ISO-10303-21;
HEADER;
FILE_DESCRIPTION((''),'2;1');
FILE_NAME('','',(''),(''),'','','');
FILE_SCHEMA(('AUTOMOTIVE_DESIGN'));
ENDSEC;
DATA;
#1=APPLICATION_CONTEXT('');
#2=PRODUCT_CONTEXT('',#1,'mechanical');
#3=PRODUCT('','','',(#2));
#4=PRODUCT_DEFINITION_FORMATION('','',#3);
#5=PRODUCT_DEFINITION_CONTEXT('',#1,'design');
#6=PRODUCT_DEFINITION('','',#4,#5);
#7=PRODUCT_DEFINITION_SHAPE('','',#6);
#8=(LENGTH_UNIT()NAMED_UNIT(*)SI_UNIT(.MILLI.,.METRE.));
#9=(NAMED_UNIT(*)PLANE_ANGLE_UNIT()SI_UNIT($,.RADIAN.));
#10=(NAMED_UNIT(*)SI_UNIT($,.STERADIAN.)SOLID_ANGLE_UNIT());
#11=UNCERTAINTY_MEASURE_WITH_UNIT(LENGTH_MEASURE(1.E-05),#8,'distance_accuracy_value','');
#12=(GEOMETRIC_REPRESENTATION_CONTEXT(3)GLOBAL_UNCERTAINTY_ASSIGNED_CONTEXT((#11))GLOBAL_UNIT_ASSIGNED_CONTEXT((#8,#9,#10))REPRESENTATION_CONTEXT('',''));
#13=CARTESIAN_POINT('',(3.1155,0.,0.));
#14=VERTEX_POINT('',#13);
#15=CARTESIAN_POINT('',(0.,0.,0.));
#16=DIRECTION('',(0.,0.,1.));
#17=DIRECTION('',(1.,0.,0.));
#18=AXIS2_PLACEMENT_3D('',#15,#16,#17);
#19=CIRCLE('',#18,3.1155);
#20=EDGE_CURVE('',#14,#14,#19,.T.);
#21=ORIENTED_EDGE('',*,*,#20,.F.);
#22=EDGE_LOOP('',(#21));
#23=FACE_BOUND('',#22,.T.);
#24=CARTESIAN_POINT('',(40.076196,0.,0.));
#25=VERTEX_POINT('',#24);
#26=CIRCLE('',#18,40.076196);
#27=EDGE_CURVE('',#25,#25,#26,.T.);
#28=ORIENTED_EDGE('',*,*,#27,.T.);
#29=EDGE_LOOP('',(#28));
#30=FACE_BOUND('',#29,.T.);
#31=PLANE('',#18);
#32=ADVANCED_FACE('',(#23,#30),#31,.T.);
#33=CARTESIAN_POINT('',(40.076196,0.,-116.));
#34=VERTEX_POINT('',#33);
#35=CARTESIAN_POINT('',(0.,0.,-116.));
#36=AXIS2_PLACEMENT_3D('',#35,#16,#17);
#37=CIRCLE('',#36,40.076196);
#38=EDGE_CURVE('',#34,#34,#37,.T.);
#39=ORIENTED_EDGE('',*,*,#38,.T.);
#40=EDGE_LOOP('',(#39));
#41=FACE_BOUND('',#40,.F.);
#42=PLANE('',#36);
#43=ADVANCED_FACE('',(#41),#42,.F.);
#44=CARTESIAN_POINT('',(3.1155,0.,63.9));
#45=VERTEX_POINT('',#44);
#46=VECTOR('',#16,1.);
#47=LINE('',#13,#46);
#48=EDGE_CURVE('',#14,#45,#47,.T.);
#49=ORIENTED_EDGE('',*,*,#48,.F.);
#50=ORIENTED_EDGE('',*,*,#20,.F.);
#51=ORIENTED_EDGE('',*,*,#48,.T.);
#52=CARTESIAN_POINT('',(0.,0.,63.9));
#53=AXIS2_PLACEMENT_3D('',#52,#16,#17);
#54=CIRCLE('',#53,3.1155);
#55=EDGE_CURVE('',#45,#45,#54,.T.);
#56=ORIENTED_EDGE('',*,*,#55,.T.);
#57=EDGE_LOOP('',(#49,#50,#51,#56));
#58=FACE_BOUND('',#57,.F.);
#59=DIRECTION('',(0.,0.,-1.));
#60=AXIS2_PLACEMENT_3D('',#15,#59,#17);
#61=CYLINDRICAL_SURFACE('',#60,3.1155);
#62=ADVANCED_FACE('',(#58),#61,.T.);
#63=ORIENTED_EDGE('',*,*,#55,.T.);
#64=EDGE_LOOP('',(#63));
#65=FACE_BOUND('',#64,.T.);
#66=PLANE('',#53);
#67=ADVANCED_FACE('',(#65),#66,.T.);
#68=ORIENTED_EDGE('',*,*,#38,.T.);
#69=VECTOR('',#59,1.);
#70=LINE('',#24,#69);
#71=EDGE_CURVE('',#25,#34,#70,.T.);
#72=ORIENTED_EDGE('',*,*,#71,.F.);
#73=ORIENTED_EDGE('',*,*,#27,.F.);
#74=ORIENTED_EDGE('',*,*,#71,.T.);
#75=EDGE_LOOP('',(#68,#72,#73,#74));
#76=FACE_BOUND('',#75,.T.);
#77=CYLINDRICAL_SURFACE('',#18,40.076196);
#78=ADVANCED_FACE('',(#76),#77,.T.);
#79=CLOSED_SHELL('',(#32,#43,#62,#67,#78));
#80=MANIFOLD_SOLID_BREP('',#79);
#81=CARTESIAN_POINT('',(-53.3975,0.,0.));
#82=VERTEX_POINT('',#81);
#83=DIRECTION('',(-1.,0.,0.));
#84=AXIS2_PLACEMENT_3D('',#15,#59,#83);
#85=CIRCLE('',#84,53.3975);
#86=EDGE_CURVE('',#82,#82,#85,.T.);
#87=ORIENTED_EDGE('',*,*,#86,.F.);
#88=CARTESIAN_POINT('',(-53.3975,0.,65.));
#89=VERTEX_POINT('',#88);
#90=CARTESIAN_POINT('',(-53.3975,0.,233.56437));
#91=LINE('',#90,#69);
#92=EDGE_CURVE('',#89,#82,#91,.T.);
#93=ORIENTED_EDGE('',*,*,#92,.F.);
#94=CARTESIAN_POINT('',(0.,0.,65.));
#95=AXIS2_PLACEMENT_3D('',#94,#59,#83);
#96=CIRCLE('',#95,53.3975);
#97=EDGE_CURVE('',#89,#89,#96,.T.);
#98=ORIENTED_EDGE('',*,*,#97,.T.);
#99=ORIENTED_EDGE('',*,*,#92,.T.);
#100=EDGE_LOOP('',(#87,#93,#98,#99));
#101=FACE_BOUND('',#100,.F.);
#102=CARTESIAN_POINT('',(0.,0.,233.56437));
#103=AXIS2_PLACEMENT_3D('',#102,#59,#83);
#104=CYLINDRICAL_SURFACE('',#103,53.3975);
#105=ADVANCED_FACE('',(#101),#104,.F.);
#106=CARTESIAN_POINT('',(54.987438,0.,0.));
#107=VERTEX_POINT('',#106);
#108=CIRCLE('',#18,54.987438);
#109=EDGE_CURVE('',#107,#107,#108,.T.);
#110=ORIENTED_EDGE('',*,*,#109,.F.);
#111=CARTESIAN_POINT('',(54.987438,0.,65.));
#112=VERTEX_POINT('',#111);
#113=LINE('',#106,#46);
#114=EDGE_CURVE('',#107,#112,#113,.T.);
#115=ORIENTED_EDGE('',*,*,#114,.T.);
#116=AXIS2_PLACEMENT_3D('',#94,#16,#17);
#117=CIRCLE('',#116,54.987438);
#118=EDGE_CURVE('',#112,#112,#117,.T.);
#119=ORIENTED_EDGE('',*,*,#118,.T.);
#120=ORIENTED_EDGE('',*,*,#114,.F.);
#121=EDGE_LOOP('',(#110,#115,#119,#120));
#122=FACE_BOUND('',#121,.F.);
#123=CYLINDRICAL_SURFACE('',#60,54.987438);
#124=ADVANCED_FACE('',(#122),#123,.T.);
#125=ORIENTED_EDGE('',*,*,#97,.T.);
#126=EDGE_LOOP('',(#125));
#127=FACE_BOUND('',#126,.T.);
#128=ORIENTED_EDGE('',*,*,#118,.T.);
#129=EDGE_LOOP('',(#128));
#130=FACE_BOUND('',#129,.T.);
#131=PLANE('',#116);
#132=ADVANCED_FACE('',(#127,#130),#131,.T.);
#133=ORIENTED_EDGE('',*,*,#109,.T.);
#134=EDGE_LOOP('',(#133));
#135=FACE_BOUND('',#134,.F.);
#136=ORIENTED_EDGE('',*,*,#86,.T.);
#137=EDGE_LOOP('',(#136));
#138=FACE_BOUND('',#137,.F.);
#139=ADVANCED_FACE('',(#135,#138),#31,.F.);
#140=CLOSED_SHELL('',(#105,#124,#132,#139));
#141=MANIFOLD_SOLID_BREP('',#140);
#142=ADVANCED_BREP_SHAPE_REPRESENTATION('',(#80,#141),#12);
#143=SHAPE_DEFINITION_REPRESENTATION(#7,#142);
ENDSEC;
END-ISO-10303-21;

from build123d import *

# Parameters (mm, degrees)
F0_R     = 54.987438
F1_DEPTH = 65
F3_D     = 106.795
F4_R     = 3.1155
F5_DEPTH = 63.9
F6_R     = 40.076196
F7_DEPTH = 116


with BuildPart() as f1:
    # F0 (on Top) → F1 (new body)
    with BuildSketch(Plane.XY):
        Circle(F0_R)
    extrude(amount=F1_DEPTH)

    # F3 (through all)
    with Locations(Plane.XY.offset(65)):
        with Locations((0, 0)):
            Hole(F3_D / 2)


with BuildPart() as f5:
    # F4 (on Top) → F5 (new body)
    with BuildSketch(Plane.XY):
        Circle(F4_R)
    extrude(amount=F5_DEPTH)

    # F6 (on Top) → F7 (join)
    with BuildSketch(Plane.XY):
        Circle(F6_R)
    extrude(amount=-F7_DEPTH)


solid = Compound([f1.part, f5.part])
